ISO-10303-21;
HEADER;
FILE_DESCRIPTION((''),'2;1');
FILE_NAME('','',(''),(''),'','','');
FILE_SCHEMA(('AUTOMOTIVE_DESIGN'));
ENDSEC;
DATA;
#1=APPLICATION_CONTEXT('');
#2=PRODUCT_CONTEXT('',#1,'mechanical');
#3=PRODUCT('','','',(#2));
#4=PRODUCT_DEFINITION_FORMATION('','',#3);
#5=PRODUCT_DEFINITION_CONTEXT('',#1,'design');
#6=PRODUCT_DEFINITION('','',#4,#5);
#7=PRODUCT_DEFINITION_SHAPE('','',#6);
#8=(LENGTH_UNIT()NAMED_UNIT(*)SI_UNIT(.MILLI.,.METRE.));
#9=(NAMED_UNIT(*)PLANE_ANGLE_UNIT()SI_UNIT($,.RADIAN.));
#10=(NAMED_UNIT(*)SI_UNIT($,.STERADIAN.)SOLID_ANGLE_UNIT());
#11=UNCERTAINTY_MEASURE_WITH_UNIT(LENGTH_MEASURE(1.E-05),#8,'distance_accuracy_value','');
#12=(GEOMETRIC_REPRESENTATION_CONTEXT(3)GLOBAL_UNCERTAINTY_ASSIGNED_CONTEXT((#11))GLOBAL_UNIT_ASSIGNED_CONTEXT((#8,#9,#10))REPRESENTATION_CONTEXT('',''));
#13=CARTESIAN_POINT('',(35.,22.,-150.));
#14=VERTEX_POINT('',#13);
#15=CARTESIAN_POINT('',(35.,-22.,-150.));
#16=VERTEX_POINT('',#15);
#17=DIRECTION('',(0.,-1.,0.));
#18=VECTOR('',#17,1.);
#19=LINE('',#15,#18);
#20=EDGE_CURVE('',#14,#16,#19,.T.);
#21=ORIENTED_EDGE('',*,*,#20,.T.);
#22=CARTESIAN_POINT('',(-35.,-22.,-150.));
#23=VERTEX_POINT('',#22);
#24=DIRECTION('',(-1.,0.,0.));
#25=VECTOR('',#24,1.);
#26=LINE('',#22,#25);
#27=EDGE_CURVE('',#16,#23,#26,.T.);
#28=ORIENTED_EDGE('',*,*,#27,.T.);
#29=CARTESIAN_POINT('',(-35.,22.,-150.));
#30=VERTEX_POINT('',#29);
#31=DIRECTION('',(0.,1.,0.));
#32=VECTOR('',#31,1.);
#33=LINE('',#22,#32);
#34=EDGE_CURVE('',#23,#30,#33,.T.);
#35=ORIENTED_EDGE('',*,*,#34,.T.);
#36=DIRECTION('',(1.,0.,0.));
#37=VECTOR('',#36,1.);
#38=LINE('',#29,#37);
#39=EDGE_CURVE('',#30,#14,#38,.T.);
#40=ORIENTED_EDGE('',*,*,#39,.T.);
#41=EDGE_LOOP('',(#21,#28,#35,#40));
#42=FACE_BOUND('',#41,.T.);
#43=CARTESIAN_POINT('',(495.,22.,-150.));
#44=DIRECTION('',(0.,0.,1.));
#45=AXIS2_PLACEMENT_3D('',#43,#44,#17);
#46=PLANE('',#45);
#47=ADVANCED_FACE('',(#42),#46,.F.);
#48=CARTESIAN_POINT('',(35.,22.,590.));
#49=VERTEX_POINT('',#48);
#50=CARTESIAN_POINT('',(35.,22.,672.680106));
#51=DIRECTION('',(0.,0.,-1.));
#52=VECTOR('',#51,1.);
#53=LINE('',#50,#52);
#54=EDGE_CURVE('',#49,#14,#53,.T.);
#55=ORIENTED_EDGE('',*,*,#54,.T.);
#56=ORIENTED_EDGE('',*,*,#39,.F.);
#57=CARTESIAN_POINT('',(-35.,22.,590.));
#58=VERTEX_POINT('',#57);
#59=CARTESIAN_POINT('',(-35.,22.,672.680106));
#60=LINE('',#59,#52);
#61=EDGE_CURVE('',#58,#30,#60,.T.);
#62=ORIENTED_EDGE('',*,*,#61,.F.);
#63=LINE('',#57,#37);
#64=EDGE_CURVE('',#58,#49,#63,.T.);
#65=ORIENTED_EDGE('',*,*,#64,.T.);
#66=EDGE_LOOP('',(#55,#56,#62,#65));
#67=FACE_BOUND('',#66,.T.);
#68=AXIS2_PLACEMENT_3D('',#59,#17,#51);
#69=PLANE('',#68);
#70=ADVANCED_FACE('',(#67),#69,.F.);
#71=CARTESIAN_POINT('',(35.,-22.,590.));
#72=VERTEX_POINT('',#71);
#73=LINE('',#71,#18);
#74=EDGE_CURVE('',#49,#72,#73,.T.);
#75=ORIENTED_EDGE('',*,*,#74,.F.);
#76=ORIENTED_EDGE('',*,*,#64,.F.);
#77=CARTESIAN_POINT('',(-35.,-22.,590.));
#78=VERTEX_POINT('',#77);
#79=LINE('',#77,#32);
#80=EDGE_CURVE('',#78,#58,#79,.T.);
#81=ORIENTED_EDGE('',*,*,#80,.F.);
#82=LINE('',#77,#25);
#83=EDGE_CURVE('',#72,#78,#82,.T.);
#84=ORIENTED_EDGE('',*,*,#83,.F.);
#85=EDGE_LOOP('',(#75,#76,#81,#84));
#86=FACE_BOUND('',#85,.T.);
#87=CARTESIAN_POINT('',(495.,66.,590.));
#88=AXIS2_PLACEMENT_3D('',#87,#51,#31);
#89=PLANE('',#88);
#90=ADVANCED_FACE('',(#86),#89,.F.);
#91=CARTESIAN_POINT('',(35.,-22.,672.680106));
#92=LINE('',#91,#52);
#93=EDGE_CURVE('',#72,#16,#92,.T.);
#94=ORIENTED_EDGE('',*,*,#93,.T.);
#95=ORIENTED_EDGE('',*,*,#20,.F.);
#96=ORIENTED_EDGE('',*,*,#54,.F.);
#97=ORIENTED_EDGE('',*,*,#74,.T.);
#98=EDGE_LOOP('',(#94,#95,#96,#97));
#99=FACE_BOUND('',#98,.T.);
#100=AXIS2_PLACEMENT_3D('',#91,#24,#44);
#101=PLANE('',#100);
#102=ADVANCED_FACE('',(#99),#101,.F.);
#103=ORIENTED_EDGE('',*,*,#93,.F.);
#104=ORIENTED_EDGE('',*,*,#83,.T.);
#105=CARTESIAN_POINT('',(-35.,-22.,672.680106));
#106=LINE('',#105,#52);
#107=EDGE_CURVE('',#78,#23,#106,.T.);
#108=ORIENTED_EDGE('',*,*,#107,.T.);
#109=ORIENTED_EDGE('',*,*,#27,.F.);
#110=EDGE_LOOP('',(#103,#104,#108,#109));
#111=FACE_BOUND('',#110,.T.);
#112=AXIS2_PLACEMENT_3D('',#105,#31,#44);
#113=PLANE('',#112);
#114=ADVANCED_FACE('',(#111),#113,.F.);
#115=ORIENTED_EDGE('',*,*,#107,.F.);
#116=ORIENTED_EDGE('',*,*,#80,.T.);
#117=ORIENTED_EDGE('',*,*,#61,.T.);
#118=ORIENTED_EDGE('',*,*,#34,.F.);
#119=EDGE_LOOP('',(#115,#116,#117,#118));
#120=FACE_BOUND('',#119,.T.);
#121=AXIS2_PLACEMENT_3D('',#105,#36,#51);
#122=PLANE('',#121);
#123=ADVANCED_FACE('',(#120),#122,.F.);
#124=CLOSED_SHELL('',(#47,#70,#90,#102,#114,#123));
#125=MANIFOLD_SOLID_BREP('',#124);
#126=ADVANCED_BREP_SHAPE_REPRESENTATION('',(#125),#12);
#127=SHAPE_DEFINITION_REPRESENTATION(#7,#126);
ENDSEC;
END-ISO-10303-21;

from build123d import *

# Parameters (mm, degrees)
BOSS_EXTRUDE1_DEPTH      = 590
BOSS_EXTRUDE1_DEPTH_BACK = 150
SKETCH1_W                = 70
SKETCH1_H                = 44


with BuildPart() as part:
    # Sketch1 → Boss-Extrude1 (new, two sides: drawn at the far end of the back side and taken through both)
    with BuildSketch(Plane.XY.offset(-BOSS_EXTRUDE1_DEPTH_BACK)):
        Rectangle(SKETCH1_W, SKETCH1_H)
    extrude(amount=BOSS_EXTRUDE1_DEPTH + BOSS_EXTRUDE1_DEPTH_BACK)


solid = part.part
